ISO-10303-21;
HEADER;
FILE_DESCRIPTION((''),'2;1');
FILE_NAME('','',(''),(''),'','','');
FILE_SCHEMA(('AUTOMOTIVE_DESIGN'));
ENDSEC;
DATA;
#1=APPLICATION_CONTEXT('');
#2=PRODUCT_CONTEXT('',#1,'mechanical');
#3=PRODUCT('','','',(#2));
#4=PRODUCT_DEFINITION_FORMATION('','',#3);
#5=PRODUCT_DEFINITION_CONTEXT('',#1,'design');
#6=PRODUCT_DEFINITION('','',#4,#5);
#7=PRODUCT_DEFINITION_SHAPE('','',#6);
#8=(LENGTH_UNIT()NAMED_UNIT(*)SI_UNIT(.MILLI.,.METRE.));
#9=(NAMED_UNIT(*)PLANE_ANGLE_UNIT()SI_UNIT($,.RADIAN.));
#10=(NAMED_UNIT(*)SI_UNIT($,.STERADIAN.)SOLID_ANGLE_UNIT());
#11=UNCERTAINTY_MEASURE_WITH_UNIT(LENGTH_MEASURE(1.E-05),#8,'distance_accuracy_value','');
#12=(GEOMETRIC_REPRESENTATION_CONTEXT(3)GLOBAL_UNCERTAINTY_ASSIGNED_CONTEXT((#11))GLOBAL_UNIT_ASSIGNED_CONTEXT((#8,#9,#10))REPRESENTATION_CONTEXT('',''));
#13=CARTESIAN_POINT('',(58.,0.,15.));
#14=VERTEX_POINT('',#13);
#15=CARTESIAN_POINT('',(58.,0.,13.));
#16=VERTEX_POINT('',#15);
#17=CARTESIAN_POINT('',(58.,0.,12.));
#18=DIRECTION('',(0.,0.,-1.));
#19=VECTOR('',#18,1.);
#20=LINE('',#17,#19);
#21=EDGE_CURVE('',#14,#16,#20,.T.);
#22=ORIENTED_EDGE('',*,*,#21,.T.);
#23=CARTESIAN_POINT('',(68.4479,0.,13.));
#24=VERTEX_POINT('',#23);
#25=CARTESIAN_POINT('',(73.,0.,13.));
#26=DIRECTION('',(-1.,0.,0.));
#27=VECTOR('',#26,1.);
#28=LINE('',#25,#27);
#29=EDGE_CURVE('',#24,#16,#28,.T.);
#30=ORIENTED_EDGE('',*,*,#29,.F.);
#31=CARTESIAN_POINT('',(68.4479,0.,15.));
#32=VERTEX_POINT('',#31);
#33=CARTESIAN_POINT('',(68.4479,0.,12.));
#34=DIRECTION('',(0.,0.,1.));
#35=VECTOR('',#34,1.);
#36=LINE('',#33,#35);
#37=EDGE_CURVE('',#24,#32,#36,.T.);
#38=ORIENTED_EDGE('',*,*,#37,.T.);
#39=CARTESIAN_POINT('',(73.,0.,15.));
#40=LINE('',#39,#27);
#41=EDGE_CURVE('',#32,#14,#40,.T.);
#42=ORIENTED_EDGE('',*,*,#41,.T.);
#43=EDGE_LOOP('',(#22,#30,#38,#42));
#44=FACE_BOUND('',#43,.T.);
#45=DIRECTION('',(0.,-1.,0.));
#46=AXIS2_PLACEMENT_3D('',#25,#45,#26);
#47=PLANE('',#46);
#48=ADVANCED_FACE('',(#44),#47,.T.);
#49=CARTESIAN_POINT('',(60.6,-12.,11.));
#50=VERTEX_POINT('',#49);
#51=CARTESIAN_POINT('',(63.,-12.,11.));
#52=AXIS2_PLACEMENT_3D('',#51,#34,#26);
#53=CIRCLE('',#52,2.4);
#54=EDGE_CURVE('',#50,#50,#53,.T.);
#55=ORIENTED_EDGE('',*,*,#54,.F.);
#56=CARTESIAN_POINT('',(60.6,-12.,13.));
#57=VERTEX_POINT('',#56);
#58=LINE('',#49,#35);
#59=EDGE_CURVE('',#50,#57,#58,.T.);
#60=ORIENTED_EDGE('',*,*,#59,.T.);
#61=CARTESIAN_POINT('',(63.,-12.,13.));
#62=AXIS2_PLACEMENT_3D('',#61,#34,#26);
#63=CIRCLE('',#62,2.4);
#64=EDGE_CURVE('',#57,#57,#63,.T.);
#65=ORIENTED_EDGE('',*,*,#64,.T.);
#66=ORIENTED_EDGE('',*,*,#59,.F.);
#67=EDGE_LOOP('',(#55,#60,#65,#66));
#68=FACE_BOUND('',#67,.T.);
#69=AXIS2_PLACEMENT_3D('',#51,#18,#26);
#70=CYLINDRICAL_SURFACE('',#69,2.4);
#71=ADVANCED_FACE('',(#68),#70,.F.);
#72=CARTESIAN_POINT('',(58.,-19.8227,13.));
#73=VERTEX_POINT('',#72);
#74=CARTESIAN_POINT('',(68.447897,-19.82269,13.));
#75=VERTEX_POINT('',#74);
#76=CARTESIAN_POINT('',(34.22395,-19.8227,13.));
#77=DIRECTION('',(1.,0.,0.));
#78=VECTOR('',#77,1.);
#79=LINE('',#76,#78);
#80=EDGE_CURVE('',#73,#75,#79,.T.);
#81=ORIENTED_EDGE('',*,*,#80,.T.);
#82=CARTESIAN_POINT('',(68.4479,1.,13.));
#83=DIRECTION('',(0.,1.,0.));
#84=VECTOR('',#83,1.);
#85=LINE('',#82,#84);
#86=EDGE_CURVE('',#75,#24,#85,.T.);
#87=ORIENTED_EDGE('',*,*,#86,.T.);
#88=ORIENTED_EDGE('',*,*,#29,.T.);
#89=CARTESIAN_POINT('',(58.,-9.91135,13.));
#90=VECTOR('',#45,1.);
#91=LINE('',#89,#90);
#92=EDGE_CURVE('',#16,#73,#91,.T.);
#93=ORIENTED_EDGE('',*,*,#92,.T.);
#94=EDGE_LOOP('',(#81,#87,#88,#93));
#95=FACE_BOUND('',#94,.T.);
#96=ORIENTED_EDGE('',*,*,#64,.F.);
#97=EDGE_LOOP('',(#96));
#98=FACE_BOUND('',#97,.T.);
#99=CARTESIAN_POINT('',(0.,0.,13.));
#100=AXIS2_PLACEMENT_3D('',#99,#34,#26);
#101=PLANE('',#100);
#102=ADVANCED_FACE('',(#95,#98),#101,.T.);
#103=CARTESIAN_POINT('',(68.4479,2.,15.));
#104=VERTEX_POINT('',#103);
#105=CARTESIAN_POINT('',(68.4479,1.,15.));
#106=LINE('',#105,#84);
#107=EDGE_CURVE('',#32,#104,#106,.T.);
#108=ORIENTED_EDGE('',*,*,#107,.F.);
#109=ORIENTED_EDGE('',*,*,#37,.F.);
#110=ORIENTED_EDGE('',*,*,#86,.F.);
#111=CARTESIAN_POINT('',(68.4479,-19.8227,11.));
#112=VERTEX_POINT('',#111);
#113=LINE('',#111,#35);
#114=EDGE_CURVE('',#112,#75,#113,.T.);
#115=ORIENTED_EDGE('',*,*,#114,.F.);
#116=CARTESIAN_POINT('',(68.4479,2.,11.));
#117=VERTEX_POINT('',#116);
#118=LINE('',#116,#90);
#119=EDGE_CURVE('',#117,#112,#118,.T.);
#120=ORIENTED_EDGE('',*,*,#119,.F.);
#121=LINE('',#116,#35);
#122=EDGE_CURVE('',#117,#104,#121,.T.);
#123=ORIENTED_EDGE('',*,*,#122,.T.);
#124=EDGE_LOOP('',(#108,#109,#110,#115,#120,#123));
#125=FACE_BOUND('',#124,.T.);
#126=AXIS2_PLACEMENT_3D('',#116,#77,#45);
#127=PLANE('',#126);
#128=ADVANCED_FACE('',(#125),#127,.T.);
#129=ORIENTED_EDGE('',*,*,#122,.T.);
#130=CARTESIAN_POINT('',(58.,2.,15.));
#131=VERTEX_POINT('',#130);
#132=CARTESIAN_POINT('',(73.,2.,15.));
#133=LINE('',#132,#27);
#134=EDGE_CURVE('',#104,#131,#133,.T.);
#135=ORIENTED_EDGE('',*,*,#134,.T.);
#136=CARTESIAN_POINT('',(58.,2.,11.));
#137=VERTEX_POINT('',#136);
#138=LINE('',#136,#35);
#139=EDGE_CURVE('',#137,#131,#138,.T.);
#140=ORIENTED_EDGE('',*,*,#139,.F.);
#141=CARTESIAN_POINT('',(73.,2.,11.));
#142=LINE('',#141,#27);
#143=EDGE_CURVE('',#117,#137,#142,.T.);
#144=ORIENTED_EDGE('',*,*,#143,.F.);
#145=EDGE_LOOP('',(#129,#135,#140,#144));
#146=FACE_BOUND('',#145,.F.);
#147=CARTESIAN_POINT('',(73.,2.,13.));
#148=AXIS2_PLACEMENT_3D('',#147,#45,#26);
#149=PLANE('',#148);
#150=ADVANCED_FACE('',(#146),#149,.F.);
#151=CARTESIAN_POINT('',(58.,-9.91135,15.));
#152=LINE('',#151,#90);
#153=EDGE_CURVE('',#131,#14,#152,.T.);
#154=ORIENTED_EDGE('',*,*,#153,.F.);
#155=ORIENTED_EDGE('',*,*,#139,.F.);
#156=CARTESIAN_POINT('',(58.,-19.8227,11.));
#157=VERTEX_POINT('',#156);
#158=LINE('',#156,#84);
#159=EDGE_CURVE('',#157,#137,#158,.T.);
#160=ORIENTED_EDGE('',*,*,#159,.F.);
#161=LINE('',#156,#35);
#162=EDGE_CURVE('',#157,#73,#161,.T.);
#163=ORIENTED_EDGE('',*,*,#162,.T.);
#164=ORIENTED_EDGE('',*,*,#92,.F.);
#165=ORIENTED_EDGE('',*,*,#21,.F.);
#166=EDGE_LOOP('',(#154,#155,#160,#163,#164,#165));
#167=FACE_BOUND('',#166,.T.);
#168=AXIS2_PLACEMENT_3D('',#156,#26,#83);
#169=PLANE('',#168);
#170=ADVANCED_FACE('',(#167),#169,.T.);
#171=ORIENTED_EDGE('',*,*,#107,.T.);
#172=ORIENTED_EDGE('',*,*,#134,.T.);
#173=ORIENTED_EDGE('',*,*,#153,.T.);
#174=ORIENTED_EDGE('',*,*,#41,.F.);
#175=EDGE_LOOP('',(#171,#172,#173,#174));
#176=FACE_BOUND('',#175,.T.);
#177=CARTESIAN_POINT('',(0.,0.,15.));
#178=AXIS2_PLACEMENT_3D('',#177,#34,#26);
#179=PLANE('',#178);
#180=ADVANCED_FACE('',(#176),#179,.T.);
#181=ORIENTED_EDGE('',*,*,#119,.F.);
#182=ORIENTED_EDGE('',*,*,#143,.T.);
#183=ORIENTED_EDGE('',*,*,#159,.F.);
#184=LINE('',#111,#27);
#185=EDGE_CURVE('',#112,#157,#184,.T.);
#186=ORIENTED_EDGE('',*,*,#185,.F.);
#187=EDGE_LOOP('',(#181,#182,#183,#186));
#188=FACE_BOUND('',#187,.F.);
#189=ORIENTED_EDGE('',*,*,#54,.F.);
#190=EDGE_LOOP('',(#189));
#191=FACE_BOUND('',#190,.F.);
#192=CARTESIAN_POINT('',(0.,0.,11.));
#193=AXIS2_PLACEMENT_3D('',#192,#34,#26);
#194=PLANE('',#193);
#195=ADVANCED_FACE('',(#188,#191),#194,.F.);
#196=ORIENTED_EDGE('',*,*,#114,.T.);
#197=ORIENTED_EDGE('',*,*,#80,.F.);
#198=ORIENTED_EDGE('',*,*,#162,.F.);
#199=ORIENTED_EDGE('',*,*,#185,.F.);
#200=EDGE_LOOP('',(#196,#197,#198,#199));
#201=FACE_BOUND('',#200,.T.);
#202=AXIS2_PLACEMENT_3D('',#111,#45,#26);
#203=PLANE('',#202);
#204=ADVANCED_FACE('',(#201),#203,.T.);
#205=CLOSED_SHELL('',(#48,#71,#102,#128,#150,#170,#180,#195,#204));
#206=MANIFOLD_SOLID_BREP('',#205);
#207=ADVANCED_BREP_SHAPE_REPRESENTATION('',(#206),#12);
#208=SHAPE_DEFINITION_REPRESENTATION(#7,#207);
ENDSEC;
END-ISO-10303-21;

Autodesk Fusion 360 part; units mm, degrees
sketch "Esboço1" plane through (0, 0, 0) normal (0, 0, 1) x (1, 0, 0)
  line L0 (9, 9.5) -> (-9, 9.5)
  line L1 (-9, 9.5) -> (-9, -9.5)
  line L2 (-9, -9.5) -> (9, -9.5)
  line L3 (9, -9.5) -> (9, 9.5)
  line L4 (9, 9.5) -> (-9, -9.5) construction
  line L5 (-9, 9.5) -> (9, -9.5) construction
  line L6 (-7, -7.5) -> (7, -7.5)
  line L7 (7, -7.5) -> (7, 7.5)
  line L8 (7, 7.5) -> (-7, 7.5)
  line L9 (-7, 7.5) -> (-7, -7.5)
  dimension "d1" = 18
  dimension "d2" = 19
  dimension "d3" = -2
extrude "Extrusão1" add sketch "Esboço1" along normal blind 2 makes body 1
sketch "Esboço2" plane through (0, 0, 2) normal (0, 0, 1) x (-1, 0, 0)
  line L0 (7, 7.5) -> (7, -7.5)
  line L1 (7, -7.5) -> (-7, -7.5)
  line L2 (-7, -7.5) -> (-7, 7.5)
  line L3 (-7, 7.5) -> (7, 7.5)
  line L4 (-9, 9.5) -> (-9, -9.5)
  line L5 (-9, -9.5) -> (9, -9.5)
  line L6 (9, -9.5) -> (9, 9.5)
  line L7 (9, 9.5) -> (-9, 9.5)
  line L8 (-11, 9.5) -> (-11, -9.5)
  line L9 (-9, -11.5) -> (9, -11.5)
  line L10 (11, -9.5) -> (11, 9.5)
  line L11 (9, 11.5) -> (-9, 11.5)
  arc A0 (11, 9.5) -> (9, 11.5) centre (9, 9.5) ccw
  arc A1 (-9, 11.5) -> (-11, 9.5) centre (-9, 9.5) ccw
  arc A2 (-11, -9.5) -> (-9, -11.5) centre (-9, -9.5) ccw
  arc A3 (9, -11.5) -> (11, -9.5) centre (9, -9.5) ccw
  dimension "d7" = 2
extrude "Extrusão2" add sketch "Esboço2" along normal blind 2 contours L4 L5 L6 L7 | L8 L9 L10 L11 A0 A1 A2 A3 bodies 1
fillet "Arredondamento1" radius 2 4 edges at (-9, 9.5, 1) (-9, -9.5, 1) (9, 9.5, 1) (9, -9.5, 1) on bodies 1
fillet "Arredondamento2" radius 1 4 edges at (-7, 7.5, 2) (-7, -7.5, 2) (7, -7.5, 2) (7, 7.5, 2) on bodies 1
sketch "Esboço3" plane through (0, 0, 0) normal (0, 0, 1) x (1, 0, 0)
  circle A0 centre (-41, 0) radius 12
  line L0 (-57.5, -16.5) -> (-24.5, -16.5)
  line L1 (-24.5, -16.5) -> (-24.5, 16.5)
  line L2 (-24.5, 16.5) -> (-57.5, 16.5)
  line L3 (-57.5, 16.5) -> (-57.5, -16.5)
  line L4 (-57.5, -16.5) -> (-24.5, 16.5) construction
  line L5 (-24.5, -16.5) -> (-57.5, 16.5) construction
  point P0 (-41, 0)
  dimension "d14" = 24
  dimension "d15" = 33
  dimension "d16" = 33
extrude "Extrusão3" add sketch "Esboço3" along normal blind 1 separate body makes body 2
sketch "Esboço4" plane through (0, 0, 0) normal (0, 0, 1) x (1, 0, 0)
  line L0 (73, 0) -> (53, 0)
  line L1 (53, 0) -> (53, -20)
  line L2 (53, -20) -> (73, -20)
  line L3 (73, -20) -> (73, 0)
  line L4 (63, -20) -> (63, -12)
  circle A0 centre (63, -12) radius 2.4
  dimension "d19" = 20
  dimension "d20" = 20
  dimension "d21" = 8
  dimension "d22" = 4.8
extrude "Extrusão4" add sketch "Esboço4" along normal blind 10 separate body makes body 3
fillet "Arredondamento3" radius 6 2 edges at (73, -20, 5) (53, -20, 5) on bodies 3
sketch "Esboço5" plane through (0, 0, 10) normal (0, 0, 1) x (-1, 0, 0)
  circle A0 centre (-63, 12) radius 2.4
  arc A1 (-53, 14) -> (-59, 20) centre (-59, 14) ccw
  line L0 (-59, 20) -> (-67, 20)
  arc A2 (-67, 20) -> (-73, 14) centre (-67, 14) ccw
  line L1 (-73, 14) -> (-73, 0)
  line L2 (-73, 0) -> (-53, 0)
  line L3 (-53, 0) -> (-53, 14)
  line L4 (-53, 0) -> (-73, 0)
  line L5 (-73, 0) -> (-73, -2)
  line L6 (-73, -2) -> (-53, -2)
  line L7 (-53, -2) -> (-53, 0)
  dimension "d27" = 2
extrude "Extrusão5" add sketch "Esboço5" along normal blind 2 from surface at 1 separate body makes body 4
sketch "Esboço6" plane through (0, 0, 13) normal (0, 0, 1) x (-1, 0, 0)
  circle A0 centre (-63, 12) radius 2.4
  line L0 (-53, -2) -> (-53, 14)
  arc A1 (-53, 14) -> (-59, 20) centre (-59, 14) ccw
  line L1 (-59, 20) -> (-67, 20)
  arc A2 (-67, 20) -> (-73, 14) centre (-67, 14) ccw
  line L2 (-73, 14) -> (-73, -2)
  line L3 (-73, -2) -> (-53, -2)
  line L4 (-53, -2) -> (-73, -2)
  line L5 (-73, -2) -> (-73, 0)
  line L6 (-73, 0) -> (-53, 0)
  line L7 (-53, 0) -> (-53, -2)
extrude "Extrusão6" add sketch "Esboço6" along normal blind 2 contours L0 L2 L3 L4 L5 L6 L7 bodies 4
sketch "Esboço7" plane through (0, 0, 11) normal (0, 0, -1) x (1, 0, 0)
  circle A0 centre (63, 12) radius 2.4
  line L0 (53, 14) -> (53, -2)
  line L1 (53, -2) -> (73, -2)
  line L2 (73, -2) -> (73, 14)
  arc A1 (73, 14) -> (67, 20) centre (67, 14) ccw
  line L3 (67, 20) -> (59, 20)
  arc A2 (59, 20) -> (53, 14) centre (59, 14) ccw
  line L4 (58, -2) -> (68.4479, -2)
  line L5 (68.4479, -2) -> (68.4479, 19.8227)
  line L6 (68.4479, 19.8227) -> (58, 19.8227)
  line L7 (58, 19.8227) -> (58, -2)
extrude "Extrusão7" cut sketch "Esboço7" against normal blind 10 contours L0 L1 A1 L3 A2 L6 L7 | L1 L2 A1 L5 bodies 4
hidden bodies 1 2 3
